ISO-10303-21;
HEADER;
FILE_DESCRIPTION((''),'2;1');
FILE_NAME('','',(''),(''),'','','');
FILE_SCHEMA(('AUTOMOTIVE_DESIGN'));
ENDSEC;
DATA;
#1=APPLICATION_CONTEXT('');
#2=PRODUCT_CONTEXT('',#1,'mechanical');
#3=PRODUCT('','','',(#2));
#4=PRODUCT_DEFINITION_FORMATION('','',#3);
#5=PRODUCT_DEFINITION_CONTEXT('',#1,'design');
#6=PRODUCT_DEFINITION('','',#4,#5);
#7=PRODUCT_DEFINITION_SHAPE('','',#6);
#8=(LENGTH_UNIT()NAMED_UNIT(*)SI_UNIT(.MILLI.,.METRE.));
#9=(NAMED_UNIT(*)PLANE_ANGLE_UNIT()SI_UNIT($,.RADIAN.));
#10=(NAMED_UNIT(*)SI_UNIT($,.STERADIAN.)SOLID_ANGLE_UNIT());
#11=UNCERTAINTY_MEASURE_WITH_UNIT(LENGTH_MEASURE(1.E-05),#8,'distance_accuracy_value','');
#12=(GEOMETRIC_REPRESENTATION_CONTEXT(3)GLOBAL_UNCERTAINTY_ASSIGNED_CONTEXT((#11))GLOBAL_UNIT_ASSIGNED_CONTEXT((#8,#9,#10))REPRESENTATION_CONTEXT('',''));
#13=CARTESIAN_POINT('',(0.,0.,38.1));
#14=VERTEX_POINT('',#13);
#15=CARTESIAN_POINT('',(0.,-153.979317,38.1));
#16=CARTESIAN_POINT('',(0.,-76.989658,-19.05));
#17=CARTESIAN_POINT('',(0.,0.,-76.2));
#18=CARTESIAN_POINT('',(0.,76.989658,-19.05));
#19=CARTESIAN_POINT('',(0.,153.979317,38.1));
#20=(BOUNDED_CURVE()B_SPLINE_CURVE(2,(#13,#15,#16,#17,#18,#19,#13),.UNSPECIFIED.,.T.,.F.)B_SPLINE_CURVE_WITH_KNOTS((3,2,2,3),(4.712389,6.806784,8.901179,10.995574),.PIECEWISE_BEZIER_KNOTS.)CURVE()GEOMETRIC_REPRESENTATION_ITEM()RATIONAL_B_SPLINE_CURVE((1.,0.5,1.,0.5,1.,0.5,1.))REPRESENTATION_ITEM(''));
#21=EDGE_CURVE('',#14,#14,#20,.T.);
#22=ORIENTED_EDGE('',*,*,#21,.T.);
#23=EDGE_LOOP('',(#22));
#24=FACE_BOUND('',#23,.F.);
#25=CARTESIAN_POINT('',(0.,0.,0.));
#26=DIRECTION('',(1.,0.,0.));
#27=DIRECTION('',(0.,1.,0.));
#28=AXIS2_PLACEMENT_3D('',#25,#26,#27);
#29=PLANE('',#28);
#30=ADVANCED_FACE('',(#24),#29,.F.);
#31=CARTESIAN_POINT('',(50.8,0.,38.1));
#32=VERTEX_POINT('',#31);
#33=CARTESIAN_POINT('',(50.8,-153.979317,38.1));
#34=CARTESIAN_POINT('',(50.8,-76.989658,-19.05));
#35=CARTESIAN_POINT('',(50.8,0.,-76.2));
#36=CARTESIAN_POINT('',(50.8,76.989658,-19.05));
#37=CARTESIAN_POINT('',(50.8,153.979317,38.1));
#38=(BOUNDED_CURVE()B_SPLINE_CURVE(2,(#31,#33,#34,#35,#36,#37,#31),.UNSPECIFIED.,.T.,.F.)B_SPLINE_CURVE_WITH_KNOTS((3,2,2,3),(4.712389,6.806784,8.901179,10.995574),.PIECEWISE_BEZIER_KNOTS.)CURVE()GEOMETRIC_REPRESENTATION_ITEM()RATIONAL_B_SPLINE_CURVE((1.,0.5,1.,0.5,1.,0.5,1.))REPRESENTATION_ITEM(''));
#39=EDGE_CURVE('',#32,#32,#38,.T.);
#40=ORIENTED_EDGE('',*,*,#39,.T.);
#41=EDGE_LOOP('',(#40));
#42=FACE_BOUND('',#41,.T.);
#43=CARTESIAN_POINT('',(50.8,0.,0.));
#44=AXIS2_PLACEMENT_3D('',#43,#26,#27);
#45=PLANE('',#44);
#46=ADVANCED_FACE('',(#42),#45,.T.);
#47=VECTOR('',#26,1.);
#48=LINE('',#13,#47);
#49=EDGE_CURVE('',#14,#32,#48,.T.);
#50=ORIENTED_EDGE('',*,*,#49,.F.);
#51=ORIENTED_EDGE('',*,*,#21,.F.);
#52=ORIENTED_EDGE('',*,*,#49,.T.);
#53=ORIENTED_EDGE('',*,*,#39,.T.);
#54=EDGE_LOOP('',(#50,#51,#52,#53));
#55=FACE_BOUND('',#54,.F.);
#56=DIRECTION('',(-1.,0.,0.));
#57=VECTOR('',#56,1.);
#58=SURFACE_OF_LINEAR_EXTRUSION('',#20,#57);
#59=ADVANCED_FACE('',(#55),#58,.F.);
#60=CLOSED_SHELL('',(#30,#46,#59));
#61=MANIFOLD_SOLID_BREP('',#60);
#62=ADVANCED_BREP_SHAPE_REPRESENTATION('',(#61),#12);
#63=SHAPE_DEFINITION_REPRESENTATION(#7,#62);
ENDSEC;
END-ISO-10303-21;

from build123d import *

# Parameters (mm, degrees)
F1_DEPTH = 50.8


with BuildPart() as f1:
    # F0 (on Right) → F1 (new body)
    with BuildSketch(Plane.YZ):
        with BuildLine():
            add(Edge.make_bspline(
                [(0, 38.1), (-153.979317, 38.1), (-76.989658, -19.05), (0, -76.2), (76.989658, -19.05), (153.979317, 38.1), (0, 38.1)],
                knots=[4.712389, 4.712389, 4.712389, 6.806784, 6.806784, 8.901179, 8.901179, 10.995574, 10.995574, 10.995574], degree=2, weights=[1, 0.5, 1, 0.5, 1, 0.5, 1]))
        make_face()
    extrude(amount=F1_DEPTH)


solid = f1.part
